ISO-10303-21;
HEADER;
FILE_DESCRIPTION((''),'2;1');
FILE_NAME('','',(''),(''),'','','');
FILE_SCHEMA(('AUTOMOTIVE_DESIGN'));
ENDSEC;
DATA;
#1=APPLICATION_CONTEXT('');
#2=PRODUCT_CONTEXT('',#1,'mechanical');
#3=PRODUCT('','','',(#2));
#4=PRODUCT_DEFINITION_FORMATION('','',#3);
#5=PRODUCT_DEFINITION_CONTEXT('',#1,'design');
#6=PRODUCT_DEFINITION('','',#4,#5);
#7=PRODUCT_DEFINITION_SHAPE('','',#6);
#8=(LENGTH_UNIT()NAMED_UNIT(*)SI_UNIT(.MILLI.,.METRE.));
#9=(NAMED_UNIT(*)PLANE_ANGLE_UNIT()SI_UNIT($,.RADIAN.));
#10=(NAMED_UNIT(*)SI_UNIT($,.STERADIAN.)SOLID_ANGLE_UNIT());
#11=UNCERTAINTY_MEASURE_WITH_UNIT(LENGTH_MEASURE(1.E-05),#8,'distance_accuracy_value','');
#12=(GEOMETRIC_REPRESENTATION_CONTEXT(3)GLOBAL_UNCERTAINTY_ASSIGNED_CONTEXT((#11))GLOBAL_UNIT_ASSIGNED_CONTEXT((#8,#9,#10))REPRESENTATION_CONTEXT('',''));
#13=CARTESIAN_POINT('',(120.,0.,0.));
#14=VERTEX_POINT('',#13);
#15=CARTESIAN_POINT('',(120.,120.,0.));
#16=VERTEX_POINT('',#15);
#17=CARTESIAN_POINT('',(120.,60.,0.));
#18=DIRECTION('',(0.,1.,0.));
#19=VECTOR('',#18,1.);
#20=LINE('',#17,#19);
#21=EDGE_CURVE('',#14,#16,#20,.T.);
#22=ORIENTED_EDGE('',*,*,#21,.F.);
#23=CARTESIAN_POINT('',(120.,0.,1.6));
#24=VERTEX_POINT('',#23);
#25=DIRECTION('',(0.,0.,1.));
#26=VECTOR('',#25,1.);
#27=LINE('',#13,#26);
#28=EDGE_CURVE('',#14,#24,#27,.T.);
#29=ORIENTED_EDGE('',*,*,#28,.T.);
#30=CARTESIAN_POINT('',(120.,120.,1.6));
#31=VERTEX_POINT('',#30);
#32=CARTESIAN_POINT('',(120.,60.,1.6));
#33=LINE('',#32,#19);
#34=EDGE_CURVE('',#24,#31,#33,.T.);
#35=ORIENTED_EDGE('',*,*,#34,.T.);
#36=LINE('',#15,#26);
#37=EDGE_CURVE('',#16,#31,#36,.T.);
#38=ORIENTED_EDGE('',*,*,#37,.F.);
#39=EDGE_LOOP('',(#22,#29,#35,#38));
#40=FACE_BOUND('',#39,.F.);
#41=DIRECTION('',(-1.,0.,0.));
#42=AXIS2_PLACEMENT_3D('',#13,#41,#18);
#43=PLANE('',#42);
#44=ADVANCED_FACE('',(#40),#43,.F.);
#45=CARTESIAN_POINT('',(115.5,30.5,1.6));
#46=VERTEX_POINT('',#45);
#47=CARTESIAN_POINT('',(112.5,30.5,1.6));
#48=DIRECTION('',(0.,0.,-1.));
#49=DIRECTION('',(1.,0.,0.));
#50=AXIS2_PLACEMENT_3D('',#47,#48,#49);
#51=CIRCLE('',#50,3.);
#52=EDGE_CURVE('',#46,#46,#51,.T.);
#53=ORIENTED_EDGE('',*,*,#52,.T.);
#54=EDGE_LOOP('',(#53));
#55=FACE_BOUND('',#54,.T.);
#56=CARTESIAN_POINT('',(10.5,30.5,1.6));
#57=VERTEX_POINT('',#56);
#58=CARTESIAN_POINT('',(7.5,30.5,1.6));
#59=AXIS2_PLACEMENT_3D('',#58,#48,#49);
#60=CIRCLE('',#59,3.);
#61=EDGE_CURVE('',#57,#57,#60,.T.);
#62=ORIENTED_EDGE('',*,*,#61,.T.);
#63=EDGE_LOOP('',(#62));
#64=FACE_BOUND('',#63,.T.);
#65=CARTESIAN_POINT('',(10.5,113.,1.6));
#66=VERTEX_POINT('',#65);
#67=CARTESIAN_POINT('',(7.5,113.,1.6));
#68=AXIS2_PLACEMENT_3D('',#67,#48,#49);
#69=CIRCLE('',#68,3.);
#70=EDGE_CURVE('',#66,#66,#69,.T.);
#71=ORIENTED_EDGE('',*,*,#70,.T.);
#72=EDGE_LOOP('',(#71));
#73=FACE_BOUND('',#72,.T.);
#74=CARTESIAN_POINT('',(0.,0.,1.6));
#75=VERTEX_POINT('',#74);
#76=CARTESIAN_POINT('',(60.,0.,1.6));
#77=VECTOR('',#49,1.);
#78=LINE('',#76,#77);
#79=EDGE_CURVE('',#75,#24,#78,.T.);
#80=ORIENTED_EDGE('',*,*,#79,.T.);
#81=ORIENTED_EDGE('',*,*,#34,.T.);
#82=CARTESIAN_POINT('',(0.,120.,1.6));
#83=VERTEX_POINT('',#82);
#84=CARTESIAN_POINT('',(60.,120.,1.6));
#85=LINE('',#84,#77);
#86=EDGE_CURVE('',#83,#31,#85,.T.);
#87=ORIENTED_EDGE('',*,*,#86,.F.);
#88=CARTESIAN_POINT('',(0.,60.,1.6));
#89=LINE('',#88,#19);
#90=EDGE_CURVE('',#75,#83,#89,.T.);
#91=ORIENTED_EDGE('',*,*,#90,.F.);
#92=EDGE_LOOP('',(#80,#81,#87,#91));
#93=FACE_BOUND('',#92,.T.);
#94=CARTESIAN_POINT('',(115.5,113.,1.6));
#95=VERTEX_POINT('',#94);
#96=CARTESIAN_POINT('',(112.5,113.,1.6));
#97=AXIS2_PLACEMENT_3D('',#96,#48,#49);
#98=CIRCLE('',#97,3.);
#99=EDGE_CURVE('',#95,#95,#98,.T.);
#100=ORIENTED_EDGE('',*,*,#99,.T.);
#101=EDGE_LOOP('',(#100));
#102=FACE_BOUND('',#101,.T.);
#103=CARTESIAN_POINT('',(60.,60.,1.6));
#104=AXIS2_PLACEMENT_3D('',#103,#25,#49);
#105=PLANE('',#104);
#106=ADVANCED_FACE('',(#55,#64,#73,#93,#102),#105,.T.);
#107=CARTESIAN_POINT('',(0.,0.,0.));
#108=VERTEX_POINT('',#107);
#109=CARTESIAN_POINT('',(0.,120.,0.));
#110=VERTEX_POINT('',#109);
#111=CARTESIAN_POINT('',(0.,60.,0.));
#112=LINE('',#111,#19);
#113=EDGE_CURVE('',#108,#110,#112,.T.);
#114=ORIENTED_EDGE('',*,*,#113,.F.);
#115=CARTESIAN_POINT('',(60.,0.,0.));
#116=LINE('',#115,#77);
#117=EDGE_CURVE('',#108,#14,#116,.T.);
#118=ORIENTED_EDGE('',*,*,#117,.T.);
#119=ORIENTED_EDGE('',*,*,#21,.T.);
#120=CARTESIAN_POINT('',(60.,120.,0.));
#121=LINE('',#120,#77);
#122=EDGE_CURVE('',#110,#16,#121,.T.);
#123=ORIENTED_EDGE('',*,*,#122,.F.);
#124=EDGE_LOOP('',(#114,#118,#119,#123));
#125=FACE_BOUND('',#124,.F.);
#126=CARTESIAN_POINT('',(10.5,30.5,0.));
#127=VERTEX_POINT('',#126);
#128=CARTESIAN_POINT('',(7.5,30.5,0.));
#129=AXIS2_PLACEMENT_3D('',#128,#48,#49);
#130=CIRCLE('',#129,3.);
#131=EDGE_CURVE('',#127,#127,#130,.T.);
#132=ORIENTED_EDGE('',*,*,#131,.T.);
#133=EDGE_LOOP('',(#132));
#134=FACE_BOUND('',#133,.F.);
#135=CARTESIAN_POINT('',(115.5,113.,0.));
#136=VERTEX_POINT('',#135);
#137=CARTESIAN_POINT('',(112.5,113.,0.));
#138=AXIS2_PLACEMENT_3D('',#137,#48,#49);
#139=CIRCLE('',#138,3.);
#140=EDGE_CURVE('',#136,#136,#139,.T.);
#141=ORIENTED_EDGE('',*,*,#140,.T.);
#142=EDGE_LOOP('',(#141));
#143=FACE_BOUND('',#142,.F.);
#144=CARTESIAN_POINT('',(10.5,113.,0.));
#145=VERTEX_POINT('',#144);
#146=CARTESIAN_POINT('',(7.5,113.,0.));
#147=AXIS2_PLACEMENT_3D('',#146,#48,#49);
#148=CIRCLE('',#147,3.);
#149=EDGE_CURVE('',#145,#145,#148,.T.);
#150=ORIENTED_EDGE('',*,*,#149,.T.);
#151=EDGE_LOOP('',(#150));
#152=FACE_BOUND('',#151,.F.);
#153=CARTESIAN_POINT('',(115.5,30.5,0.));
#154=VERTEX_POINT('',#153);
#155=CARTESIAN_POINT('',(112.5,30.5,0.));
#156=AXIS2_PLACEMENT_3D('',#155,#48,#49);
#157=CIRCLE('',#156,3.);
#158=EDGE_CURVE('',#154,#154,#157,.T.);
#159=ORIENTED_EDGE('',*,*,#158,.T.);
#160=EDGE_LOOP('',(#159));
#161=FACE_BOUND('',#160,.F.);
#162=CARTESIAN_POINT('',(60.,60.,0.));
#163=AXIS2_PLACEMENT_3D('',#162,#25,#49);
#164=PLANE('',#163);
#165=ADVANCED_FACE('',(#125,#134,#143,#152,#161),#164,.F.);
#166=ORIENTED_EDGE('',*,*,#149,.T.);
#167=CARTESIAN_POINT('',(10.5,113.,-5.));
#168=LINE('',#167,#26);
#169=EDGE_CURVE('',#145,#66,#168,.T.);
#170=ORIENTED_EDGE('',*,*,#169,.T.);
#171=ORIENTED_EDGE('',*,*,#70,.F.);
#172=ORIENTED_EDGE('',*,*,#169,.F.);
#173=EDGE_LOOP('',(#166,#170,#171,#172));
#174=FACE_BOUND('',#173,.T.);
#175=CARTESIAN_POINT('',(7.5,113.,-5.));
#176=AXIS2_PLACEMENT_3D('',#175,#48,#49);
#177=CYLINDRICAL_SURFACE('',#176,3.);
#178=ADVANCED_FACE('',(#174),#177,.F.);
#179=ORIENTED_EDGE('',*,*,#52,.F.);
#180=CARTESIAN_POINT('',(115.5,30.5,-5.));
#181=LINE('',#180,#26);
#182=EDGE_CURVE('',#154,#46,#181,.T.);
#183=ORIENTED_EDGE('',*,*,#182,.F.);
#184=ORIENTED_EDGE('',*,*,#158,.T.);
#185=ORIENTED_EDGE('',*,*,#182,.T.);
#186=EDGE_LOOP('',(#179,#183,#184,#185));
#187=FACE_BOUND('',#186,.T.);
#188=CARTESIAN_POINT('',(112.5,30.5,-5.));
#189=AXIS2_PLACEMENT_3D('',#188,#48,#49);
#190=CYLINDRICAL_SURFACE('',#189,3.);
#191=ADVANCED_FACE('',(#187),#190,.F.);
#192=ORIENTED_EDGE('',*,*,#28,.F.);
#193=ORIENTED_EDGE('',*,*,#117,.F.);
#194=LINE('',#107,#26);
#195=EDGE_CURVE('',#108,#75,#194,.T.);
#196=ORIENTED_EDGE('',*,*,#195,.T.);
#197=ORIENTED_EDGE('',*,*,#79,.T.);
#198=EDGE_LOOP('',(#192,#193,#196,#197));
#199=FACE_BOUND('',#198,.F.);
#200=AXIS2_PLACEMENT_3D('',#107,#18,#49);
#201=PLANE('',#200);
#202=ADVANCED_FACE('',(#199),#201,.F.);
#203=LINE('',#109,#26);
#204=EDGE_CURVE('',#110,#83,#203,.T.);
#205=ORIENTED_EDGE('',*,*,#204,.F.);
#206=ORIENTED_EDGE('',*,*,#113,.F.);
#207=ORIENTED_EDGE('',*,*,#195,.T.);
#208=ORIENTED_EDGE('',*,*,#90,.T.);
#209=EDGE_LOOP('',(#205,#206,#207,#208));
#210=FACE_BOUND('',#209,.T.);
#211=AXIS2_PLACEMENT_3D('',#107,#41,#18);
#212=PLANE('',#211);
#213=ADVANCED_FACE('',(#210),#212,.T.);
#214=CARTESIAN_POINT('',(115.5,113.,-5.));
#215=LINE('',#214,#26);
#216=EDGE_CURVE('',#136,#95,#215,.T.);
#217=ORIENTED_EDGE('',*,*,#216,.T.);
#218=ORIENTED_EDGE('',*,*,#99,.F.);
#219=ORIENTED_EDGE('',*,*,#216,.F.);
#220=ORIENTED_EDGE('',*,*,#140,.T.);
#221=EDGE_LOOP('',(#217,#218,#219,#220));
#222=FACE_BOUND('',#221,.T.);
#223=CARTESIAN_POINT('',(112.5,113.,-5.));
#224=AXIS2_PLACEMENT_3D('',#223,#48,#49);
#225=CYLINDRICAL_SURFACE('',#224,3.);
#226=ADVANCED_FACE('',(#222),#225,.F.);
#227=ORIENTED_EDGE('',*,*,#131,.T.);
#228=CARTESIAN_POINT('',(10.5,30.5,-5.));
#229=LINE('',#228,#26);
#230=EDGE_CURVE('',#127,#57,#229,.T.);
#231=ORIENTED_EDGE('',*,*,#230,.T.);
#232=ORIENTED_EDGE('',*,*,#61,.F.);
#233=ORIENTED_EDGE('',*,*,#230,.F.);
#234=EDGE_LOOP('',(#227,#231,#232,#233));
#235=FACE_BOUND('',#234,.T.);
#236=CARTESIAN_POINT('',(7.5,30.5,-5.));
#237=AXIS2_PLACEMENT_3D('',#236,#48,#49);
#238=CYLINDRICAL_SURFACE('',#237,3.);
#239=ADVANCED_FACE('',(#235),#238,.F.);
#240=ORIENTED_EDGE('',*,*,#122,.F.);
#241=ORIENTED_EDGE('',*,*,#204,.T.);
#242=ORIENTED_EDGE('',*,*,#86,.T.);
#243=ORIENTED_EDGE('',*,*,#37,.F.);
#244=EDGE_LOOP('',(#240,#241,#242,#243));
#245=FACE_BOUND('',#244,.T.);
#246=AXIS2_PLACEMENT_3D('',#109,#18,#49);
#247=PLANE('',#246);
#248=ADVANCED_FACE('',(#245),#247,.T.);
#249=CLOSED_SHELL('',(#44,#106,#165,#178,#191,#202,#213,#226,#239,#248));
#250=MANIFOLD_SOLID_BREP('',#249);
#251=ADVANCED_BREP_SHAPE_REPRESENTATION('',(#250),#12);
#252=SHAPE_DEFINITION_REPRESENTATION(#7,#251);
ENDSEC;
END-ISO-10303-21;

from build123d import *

# Parameters (mm, degrees)
CYLINDER_R     = 3
CYLINDER_DEPTH = 10
BOX_W          = 120
BOX_H          = 120
BOX_DEPTH      = 1.6


with BuildPart() as cylinder:
    # Cylinder → Cylinder (new body)
    with BuildSketch(Plane(origin=(7.5, 30.5, -5), x_dir=(1, 0, 0), z_dir=(0, 0, 1))):
        Circle(CYLINDER_R)
    extrude(amount=CYLINDER_DEPTH)


with BuildPart() as clone_of_cylinder001:
    # Clone001 base: copy of Cylinder
    add(cylinder.part)


with BuildPart() as clone_of_cylinder001_1:
    # Clone001 placement: moved
    add(clone_of_cylinder001.part.moved(Location((105, 0, 0))))


with BuildPart() as clone_of_cylinder:
    # Clone base: copy of Cylinder
    add(cylinder.part)


with BuildPart() as clone_of_cylinder_1:
    # Clone placement: moved
    add(clone_of_cylinder.part.moved(Location((0, 82.5, 0))))


with BuildPart() as clone_of_cylinder002:
    # Clone002 base: copy of Cylinder
    add(cylinder.part)


with BuildPart() as clone_of_cylinder002_1:
    # Clone002 placement: moved
    add(clone_of_cylinder002.part.moved(Location((105, 82.5, 0))))


with BuildPart() as fusion:
    # Fusion base: copy of Cylinder
    add(cylinder.part)

    # Fusion: union Clone of Cylinder001, Clone of Cylinder, Clone of Cylinder002
    add(clone_of_cylinder001_1.part)
    add(clone_of_cylinder_1.part)
    add(clone_of_cylinder002_1.part)


with BuildPart() as board:
    # Box → Box (new body)
    with BuildSketch(Plane.XY):
        with Locations((60, 60)):
            Rectangle(BOX_W, BOX_H)
    extrude(amount=BOX_DEPTH)

    # Cut: cut Fusion
    add(fusion.part, mode=Mode.SUBTRACT)


solid = board.part
